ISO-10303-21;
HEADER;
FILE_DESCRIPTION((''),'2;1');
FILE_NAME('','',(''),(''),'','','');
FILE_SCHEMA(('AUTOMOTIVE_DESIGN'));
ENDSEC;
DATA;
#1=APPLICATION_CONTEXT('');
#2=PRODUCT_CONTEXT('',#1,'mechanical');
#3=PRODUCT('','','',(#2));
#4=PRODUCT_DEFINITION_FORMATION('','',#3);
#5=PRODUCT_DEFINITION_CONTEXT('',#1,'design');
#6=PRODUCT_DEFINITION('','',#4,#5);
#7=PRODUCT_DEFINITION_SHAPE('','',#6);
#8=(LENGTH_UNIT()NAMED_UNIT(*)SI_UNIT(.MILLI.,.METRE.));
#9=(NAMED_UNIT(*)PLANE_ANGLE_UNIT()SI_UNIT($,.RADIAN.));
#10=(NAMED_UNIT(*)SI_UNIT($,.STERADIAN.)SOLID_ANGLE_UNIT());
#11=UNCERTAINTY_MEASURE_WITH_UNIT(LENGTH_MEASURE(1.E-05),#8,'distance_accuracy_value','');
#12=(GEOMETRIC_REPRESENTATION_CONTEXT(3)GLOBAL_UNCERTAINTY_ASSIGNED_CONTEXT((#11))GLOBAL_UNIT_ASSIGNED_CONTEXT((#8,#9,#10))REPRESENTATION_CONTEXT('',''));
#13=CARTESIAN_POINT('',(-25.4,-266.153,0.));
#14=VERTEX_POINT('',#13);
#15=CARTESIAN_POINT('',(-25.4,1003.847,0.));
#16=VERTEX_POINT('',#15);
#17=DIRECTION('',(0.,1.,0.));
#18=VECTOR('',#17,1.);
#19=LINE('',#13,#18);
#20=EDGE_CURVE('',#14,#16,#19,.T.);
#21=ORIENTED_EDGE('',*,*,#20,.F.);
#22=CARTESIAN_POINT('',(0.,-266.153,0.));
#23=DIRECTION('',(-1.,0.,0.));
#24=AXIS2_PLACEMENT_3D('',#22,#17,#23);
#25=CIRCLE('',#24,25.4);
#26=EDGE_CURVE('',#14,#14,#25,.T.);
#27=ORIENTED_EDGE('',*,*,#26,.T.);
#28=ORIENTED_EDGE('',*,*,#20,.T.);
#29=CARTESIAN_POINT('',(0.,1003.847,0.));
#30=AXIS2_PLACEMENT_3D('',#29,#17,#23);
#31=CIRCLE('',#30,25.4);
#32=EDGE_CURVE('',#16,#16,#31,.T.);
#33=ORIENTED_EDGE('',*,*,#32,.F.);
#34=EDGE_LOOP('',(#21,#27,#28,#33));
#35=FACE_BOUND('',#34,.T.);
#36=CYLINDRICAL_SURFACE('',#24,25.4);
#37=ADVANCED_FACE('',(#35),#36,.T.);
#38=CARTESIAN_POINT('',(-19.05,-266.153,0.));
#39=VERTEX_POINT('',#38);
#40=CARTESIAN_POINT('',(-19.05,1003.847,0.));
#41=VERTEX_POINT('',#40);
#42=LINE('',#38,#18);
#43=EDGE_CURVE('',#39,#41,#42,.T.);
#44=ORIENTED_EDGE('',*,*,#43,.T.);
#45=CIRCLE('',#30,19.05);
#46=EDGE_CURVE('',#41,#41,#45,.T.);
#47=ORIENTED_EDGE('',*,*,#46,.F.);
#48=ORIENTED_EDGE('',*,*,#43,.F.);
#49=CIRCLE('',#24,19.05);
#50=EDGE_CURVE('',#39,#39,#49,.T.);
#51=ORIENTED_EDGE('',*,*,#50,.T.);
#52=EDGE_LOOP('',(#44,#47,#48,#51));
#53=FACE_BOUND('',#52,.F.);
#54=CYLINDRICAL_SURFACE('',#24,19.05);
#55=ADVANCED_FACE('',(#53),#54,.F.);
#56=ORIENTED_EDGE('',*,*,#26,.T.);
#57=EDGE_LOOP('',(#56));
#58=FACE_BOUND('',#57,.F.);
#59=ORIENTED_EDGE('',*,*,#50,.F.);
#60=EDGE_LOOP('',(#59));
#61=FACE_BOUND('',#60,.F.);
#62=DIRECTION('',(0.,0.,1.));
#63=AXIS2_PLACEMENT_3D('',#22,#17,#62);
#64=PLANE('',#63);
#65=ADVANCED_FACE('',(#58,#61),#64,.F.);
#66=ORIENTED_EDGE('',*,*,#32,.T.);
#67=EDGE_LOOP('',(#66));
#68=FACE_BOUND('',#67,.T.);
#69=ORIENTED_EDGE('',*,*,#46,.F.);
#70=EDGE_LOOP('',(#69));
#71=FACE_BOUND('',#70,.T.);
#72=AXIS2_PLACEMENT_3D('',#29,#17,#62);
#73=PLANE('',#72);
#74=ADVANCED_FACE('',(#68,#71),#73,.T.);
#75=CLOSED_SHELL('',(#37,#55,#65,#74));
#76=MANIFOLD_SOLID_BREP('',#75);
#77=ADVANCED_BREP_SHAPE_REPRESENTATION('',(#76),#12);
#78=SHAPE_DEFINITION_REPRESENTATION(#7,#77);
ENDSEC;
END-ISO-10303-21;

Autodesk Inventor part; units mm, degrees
ref_plane "YZ Plane" through (0, 0, 0) normal (1, 0, 0) x (0, 1, 0)
ref_plane "XZ Plane" through (0, 0, 0) normal (0, 1, 0) x (-1, 0, 0)
ref_plane "XY Plane" through (0, 0, 0) normal (0, 0, 1) x (1, 0, 0)
sketch "Sketch2" plane through (0, 0, 0) normal (0, 1, 0) x (-1, 0, 0)
  circle A0 centre (0, 0) radius 19.05
  circle A1 centre (0, 0) radius 25.4
  dimension "d3" = 38.1
  dimension "d4" = 50.8
sketch3d "3D Sketch1"
  line L0 (0, -266.153, -266.153) -> (0, 1003.847, -266.153)
  dimension "d1" = 1270
  dimension "d2" = 90
sweep "Sweep1" add profiles "Sketch2" path "3D Sketch1"
ref_plane "Work Plane2" through (-353.1457, -521.6169, -83.6447) normal (0.6592, 0, -0.752) x (0, -1, 0)
sketch "Sketch3" plane through (-353.1457, -521.6169, -83.6447) normal (0.6592, 0, -0.752) x (0, -1, 0)
  circle A0 centre (0, 0) radius 25.4
  point P0 (-521.6169, -320.7019)
  dimension "d7" = 50.8
sketch "Sketch4" plane through (0, -266.153, 0) normal (0, -1, 0) x (1, 0, 0)
  circle A0 centre (0, 0) radius 19.05 construction
  circle A1 centre (0, 0) radius 19.05
  circle A2 centre (0, 0) radius 25.4 construction
  point P0 (0, 0)
  dimension "d8" = 38.1
  dimension "d9" = 50.8
properties part number "Gas Hose"
